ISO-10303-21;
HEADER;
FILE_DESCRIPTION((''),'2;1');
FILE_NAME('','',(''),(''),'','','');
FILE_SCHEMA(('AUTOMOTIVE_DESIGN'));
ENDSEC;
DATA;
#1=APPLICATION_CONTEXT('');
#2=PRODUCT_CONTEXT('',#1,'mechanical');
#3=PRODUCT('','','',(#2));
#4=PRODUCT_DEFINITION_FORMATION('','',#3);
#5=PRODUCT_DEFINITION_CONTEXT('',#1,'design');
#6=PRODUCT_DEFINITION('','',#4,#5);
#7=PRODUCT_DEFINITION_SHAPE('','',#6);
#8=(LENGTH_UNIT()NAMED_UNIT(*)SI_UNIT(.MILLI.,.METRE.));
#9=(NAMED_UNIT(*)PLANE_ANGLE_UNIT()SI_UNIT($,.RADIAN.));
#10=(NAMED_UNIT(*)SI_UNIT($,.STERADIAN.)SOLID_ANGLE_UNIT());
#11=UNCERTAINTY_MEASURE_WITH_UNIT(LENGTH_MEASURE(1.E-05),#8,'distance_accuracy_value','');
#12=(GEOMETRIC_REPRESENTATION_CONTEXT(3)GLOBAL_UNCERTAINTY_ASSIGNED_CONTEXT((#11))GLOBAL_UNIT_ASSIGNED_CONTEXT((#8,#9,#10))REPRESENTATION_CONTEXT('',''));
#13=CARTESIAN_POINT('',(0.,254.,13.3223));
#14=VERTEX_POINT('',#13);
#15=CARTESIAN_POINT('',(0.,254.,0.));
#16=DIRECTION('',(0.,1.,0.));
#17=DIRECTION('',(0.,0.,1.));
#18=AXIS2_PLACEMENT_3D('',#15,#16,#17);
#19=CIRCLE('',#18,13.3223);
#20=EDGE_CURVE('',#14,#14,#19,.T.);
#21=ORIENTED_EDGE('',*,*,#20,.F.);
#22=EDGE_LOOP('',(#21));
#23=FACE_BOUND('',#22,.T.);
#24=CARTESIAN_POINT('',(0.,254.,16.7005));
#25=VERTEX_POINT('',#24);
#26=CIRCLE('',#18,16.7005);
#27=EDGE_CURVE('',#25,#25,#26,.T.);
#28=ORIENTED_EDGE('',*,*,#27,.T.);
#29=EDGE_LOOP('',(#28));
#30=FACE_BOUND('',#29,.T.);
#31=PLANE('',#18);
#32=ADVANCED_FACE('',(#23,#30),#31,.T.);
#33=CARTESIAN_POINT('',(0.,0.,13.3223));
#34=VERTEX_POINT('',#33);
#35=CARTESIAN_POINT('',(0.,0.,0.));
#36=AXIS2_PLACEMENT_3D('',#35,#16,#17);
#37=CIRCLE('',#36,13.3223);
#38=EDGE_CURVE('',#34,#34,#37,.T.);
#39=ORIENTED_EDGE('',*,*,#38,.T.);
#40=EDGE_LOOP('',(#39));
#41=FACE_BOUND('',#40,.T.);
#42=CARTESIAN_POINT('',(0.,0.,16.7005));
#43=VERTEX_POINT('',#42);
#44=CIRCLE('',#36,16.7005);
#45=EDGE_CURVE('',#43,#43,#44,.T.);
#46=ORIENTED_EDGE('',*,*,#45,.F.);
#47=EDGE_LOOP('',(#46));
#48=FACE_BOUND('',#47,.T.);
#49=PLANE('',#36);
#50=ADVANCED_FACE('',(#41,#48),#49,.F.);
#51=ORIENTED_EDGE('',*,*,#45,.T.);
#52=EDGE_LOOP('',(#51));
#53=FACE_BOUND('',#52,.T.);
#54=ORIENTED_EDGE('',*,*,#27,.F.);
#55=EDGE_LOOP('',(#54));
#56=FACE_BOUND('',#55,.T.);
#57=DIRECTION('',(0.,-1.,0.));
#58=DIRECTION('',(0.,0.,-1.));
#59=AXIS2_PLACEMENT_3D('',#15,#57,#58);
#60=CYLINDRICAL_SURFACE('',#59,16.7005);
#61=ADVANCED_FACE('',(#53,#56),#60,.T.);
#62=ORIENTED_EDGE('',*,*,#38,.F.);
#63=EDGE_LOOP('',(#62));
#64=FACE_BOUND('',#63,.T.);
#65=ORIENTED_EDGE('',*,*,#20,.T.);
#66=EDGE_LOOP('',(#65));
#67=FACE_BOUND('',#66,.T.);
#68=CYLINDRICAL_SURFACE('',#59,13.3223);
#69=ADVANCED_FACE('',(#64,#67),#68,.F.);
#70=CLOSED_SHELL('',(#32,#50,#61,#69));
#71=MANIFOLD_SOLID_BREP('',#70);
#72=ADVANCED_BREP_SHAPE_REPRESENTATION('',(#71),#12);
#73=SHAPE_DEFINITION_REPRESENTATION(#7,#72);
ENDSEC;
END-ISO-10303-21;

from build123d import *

# Parameters (mm, degrees)
SKETCH1_R           = 16.7005
SKETCH1_R_2         = 13.3223
BOSS_EXTRUDE1_DEPTH = 254


with BuildPart() as part:
    # Sketch1 → Boss-Extrude1 (new body)
    with BuildSketch(Plane(origin=(0, 0, 0), x_dir=(1, 0, 0), z_dir=(0, 1, 0))):
        Circle(SKETCH1_R)
        Circle(SKETCH1_R_2, mode=Mode.SUBTRACT)
    extrude(amount=BOSS_EXTRUDE1_DEPTH)


solid = part.part
